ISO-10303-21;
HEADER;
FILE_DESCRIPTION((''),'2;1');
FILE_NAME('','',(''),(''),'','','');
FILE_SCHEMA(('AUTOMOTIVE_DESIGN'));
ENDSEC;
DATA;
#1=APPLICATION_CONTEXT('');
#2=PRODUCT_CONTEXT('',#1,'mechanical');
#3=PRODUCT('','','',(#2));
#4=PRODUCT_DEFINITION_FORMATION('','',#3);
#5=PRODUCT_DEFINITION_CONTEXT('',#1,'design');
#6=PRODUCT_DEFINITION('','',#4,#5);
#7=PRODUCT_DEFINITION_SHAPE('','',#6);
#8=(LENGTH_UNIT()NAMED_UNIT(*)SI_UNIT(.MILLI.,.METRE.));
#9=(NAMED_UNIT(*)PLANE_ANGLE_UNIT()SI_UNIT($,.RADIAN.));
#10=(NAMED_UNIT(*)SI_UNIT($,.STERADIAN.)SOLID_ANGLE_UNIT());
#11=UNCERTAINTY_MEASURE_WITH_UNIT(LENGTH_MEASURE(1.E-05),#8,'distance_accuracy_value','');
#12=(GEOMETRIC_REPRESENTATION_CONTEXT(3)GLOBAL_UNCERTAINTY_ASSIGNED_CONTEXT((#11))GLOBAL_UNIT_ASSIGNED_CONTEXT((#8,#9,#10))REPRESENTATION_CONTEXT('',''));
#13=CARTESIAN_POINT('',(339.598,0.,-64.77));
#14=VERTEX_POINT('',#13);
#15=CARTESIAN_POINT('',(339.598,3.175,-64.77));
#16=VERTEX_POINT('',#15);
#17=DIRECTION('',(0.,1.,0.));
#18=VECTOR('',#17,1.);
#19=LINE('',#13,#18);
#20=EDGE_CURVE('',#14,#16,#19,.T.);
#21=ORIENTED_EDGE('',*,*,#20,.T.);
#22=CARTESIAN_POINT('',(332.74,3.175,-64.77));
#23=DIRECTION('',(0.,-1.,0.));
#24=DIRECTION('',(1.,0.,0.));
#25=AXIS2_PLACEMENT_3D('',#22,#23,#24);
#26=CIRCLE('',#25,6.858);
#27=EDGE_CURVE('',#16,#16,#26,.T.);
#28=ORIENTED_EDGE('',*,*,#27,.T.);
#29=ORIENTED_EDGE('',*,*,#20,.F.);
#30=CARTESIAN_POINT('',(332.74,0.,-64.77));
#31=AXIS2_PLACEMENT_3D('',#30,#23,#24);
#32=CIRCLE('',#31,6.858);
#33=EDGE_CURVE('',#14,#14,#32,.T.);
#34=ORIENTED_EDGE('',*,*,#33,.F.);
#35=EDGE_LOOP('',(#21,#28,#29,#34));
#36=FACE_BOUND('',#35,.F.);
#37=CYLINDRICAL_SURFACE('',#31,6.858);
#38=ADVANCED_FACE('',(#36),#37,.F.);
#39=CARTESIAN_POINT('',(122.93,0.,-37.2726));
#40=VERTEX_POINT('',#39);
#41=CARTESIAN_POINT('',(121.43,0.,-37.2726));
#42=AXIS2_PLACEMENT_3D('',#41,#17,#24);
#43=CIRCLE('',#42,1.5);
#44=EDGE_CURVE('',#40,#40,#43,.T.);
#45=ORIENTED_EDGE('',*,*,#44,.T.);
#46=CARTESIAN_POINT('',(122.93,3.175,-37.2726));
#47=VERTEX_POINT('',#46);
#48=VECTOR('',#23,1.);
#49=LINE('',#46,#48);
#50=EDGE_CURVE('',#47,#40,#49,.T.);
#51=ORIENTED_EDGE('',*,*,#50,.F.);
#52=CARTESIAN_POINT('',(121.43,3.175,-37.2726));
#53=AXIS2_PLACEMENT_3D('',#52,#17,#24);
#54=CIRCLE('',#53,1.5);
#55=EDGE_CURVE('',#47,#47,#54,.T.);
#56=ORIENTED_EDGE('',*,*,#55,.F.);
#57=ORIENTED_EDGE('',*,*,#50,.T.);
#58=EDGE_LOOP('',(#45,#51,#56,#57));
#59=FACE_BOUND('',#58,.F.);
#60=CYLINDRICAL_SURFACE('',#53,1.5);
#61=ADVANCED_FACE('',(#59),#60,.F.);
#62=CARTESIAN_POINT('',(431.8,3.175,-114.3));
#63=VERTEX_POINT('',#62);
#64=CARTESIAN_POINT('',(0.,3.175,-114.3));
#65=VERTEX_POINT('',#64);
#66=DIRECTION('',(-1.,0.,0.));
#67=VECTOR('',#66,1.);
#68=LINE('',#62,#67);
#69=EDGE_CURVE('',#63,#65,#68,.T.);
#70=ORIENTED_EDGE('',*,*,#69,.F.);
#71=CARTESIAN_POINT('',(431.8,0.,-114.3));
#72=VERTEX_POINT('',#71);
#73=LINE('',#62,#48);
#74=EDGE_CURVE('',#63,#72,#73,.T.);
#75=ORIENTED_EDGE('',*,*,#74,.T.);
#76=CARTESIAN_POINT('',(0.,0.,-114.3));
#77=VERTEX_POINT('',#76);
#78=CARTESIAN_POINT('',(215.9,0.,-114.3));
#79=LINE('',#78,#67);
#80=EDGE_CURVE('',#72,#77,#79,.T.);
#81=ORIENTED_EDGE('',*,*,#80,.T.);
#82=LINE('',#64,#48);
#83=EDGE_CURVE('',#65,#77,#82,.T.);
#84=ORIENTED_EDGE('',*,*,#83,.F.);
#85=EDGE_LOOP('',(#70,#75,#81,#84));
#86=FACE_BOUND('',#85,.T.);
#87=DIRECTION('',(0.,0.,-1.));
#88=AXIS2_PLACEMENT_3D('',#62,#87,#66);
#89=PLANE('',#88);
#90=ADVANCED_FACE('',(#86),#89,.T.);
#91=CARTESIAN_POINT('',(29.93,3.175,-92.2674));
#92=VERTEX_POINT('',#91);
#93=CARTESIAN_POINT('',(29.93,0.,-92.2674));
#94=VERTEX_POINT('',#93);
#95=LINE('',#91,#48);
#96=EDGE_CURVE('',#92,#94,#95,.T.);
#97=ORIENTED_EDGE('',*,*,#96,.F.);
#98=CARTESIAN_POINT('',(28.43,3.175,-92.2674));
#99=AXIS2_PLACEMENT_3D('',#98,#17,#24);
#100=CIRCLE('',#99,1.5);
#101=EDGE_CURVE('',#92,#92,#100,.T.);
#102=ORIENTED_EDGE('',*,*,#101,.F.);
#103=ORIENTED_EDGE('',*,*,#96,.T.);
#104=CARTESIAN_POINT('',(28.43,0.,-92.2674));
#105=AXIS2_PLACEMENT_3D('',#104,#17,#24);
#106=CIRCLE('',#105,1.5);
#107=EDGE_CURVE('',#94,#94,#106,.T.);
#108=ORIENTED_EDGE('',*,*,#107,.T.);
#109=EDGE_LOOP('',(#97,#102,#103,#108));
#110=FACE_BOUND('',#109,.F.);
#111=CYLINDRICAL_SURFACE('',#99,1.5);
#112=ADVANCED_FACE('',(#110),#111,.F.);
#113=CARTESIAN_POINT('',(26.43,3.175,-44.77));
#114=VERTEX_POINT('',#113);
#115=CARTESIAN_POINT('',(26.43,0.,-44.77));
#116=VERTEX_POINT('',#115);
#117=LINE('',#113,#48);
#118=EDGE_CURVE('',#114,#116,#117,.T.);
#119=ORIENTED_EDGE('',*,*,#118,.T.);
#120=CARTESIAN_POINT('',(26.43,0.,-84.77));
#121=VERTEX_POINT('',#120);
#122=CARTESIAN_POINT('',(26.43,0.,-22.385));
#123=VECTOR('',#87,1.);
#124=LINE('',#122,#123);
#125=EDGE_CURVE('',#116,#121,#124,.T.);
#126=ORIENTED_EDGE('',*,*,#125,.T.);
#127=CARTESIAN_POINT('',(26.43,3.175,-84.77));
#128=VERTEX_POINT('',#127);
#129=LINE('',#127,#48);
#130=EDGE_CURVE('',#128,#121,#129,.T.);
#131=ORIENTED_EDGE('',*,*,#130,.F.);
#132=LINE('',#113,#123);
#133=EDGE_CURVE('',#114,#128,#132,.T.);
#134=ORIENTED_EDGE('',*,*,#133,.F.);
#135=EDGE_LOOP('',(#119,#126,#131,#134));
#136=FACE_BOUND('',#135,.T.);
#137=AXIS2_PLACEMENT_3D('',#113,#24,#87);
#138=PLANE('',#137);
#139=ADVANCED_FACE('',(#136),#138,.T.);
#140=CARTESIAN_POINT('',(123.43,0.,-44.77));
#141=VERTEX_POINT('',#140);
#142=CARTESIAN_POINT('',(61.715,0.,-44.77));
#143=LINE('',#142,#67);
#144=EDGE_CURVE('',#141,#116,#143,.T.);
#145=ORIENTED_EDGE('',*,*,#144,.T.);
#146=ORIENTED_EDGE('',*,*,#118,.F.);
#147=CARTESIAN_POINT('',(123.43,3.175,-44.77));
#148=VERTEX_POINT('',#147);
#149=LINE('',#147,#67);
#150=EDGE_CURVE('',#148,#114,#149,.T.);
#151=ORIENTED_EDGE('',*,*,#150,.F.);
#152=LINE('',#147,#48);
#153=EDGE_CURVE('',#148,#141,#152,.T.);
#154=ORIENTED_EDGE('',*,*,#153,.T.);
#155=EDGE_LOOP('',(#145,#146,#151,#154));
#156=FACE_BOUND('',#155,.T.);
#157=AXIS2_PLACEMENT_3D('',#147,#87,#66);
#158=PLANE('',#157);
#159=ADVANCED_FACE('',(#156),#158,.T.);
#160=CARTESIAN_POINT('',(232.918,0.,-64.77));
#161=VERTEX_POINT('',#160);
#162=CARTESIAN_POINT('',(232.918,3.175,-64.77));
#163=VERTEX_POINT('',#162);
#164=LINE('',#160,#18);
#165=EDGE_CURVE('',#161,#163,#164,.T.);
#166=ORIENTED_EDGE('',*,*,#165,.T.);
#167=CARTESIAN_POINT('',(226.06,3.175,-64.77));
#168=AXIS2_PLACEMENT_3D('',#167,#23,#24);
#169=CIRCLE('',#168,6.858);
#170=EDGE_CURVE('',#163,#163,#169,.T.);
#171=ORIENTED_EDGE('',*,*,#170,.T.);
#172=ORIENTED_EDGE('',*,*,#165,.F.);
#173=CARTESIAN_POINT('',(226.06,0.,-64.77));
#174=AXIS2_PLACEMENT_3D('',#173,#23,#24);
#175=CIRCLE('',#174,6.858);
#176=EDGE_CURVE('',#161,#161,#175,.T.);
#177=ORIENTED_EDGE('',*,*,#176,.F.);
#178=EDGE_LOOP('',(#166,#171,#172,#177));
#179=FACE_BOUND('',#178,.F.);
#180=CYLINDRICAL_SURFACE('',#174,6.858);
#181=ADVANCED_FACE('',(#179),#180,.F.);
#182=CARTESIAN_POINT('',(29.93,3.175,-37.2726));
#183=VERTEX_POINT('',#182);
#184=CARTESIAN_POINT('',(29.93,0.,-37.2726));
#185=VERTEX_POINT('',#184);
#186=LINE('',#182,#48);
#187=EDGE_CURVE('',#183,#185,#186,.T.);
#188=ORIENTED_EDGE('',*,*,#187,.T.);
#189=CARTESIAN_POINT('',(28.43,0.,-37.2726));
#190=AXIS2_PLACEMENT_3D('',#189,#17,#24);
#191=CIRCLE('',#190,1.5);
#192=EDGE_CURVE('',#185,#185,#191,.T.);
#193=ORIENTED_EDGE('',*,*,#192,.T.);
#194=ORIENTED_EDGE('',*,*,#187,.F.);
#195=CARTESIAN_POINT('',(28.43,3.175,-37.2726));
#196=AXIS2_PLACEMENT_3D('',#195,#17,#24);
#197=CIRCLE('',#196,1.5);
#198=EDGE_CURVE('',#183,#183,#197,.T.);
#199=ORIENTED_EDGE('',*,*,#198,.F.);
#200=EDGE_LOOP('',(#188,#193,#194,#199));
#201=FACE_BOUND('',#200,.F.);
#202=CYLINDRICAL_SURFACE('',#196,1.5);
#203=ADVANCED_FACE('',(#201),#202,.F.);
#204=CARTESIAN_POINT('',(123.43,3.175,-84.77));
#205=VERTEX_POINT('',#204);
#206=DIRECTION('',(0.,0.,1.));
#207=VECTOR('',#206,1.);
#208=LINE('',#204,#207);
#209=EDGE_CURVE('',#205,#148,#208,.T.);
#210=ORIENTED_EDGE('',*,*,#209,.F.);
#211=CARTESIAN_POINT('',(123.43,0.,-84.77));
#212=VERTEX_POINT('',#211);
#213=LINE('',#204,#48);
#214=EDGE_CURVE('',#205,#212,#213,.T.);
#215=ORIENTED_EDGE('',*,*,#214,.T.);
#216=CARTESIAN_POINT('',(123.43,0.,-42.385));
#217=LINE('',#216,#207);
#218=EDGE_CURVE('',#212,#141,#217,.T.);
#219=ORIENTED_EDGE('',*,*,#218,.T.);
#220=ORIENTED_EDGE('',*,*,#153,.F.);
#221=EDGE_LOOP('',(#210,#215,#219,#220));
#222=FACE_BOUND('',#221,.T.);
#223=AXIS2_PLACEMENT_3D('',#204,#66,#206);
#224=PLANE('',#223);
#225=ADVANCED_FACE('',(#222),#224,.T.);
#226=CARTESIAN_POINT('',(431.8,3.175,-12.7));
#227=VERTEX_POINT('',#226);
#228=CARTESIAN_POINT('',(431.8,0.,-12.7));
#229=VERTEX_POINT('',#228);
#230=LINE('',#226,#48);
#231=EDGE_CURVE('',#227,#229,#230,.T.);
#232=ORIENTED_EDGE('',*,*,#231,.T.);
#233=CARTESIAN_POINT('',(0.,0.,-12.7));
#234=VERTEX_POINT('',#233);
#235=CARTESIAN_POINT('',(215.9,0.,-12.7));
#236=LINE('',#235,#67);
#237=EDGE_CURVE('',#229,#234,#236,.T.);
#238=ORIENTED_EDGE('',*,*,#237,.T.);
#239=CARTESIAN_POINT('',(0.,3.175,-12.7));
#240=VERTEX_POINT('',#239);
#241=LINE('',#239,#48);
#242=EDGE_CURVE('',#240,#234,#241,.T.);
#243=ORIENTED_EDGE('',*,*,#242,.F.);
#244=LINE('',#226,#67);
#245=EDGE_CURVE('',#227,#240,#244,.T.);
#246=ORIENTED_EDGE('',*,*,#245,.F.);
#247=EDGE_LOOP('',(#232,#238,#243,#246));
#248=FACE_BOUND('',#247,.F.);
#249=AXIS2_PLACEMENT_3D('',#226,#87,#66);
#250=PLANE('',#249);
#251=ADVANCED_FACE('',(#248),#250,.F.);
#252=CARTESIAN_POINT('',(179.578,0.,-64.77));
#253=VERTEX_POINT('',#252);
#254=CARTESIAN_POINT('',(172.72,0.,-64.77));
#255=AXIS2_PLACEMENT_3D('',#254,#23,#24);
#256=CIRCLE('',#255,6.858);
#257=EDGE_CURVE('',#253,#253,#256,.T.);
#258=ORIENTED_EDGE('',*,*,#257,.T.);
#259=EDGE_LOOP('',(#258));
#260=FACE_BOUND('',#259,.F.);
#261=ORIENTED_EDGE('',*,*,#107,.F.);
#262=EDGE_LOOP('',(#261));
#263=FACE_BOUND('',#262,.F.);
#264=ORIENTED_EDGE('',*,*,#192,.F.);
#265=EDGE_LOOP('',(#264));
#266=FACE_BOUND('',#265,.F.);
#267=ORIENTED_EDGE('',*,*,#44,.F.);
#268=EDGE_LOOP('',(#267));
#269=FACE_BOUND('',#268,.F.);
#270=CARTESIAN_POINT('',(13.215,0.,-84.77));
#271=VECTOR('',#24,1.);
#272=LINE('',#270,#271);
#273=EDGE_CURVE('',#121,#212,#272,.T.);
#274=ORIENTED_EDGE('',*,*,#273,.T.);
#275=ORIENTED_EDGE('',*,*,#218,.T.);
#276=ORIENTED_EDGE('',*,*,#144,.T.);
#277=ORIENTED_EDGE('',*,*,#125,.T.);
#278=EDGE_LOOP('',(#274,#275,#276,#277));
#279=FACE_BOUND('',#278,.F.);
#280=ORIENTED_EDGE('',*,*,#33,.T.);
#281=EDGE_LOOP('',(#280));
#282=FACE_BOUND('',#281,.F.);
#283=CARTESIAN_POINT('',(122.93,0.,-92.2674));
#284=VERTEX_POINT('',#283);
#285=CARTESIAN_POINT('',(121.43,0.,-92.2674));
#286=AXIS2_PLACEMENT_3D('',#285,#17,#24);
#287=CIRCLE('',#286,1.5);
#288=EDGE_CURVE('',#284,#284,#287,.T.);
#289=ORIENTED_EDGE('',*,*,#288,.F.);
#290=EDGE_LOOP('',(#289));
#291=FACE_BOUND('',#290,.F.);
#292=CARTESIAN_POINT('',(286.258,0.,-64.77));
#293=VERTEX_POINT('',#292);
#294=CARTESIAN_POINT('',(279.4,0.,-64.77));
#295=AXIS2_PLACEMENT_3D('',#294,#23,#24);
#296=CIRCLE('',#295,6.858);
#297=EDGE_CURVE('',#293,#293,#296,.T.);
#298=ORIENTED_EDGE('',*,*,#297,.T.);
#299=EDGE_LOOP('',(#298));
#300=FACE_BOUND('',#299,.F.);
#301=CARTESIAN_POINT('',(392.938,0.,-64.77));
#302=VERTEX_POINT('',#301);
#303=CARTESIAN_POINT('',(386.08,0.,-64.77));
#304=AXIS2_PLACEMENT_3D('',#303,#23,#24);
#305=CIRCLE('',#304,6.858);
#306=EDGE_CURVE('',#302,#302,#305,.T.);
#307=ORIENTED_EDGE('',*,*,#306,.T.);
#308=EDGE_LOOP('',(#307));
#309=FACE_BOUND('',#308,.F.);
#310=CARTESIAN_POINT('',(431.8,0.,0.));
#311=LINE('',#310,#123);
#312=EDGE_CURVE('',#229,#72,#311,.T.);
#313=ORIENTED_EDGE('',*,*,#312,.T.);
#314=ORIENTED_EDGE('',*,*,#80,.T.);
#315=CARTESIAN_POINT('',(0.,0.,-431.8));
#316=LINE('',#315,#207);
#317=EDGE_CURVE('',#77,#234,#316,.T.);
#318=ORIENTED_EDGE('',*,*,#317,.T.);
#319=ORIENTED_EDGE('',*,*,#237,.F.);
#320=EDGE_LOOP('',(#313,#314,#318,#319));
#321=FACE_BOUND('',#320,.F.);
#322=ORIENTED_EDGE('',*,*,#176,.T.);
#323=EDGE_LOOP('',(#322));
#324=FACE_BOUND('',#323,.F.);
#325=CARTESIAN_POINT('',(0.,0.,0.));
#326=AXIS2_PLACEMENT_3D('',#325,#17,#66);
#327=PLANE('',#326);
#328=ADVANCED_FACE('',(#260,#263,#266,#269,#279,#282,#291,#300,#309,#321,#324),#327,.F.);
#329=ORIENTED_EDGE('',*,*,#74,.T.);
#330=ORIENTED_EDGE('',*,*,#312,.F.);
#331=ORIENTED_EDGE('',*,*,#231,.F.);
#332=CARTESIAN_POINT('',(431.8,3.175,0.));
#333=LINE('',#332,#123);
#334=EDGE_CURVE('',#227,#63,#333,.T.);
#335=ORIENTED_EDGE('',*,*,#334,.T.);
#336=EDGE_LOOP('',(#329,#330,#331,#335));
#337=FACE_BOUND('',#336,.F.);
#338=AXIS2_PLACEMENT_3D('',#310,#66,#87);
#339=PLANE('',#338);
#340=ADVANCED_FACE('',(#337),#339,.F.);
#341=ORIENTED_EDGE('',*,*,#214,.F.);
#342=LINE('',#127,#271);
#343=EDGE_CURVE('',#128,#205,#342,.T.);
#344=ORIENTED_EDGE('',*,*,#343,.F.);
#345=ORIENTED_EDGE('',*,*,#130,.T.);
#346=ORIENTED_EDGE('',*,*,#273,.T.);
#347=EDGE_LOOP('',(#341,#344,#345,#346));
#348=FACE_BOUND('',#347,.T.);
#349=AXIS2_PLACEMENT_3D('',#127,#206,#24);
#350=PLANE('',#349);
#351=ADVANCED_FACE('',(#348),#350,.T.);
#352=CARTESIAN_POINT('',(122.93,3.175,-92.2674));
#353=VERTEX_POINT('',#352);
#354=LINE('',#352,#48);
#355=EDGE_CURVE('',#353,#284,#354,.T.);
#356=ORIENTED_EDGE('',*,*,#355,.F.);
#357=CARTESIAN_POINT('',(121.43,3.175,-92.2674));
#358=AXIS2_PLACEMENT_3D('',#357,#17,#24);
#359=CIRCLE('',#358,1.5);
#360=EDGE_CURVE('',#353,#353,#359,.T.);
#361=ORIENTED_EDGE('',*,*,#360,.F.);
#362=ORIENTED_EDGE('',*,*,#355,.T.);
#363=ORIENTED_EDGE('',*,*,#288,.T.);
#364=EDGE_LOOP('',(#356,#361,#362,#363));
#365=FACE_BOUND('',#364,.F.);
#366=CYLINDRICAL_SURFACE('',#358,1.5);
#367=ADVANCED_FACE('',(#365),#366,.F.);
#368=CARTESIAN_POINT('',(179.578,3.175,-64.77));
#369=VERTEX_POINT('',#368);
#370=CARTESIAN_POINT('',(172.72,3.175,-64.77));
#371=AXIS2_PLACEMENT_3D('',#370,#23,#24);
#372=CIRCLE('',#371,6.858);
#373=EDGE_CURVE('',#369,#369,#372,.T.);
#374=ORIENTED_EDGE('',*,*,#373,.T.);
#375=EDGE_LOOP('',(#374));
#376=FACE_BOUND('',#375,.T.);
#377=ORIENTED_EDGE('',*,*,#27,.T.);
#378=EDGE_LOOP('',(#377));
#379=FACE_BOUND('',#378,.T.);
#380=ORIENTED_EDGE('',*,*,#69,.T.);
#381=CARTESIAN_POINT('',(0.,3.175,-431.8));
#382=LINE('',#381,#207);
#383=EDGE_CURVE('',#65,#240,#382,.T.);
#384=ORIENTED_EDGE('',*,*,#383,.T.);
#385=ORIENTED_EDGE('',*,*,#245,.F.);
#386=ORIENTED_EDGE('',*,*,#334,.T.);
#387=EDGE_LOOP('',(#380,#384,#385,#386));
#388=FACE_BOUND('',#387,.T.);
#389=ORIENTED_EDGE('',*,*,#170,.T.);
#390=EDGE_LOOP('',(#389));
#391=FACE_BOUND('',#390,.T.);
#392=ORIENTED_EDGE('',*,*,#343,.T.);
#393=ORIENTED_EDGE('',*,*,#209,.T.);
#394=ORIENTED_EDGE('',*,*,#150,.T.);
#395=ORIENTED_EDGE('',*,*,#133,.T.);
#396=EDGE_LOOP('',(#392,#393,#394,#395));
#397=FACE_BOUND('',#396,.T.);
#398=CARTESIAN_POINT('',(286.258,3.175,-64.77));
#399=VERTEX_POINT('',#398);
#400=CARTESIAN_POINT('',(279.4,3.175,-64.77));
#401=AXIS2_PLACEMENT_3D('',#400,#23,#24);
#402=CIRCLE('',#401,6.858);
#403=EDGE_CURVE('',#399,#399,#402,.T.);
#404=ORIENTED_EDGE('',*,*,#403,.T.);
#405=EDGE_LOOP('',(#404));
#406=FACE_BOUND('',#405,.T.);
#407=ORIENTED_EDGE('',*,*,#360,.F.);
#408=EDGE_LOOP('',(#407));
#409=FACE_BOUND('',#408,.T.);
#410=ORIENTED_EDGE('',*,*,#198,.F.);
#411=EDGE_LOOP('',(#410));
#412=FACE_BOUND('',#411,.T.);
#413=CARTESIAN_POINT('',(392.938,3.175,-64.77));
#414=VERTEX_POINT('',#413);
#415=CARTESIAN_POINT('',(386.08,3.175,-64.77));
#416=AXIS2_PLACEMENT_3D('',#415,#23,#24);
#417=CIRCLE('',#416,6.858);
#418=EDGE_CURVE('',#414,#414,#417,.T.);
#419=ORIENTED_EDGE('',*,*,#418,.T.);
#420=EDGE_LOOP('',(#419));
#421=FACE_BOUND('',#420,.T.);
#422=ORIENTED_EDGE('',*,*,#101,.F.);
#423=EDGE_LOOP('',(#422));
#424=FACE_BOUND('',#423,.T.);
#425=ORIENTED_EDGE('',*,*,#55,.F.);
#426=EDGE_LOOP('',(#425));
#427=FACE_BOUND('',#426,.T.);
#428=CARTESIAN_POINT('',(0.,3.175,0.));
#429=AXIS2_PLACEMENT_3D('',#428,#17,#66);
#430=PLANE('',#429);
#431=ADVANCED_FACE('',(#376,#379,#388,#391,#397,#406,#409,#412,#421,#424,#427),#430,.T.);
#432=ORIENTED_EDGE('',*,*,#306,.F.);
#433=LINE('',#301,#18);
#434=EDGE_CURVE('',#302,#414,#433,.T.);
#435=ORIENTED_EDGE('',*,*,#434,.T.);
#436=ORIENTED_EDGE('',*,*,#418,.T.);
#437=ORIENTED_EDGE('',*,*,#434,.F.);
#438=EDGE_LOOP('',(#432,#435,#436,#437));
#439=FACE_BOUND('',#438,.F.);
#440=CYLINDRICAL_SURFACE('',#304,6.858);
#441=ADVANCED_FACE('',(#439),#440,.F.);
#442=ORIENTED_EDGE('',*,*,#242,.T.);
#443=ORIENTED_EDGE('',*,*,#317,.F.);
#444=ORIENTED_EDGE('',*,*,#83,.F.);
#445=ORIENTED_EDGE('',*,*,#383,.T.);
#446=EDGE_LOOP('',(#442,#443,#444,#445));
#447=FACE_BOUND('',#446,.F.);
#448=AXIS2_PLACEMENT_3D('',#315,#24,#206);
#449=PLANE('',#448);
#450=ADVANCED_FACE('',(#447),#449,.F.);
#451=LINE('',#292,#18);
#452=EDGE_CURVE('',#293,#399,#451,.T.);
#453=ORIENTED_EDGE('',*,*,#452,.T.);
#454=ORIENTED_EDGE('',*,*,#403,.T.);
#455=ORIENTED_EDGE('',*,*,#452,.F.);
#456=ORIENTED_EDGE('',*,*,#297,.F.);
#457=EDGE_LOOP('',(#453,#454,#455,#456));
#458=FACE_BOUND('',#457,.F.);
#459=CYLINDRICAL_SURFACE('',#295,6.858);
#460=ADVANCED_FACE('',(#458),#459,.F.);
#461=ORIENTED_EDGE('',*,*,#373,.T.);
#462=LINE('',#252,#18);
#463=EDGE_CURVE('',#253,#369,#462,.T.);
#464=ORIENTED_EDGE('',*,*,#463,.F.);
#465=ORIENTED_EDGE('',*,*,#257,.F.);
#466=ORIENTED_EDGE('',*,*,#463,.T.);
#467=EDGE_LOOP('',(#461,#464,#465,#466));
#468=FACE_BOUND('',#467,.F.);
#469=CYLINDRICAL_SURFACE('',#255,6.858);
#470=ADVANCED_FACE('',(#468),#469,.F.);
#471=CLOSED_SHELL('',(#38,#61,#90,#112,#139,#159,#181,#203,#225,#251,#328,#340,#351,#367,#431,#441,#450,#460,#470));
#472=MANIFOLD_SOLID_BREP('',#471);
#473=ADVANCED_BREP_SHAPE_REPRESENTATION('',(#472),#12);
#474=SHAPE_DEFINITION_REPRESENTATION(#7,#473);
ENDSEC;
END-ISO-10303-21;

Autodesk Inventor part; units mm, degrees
ref_plane "YZ Plane" through (0, 0, 0) normal (1, 0, 0) x (0, 1, 0)
ref_plane "XZ Plane" through (0, 0, 0) normal (0, 1, 0) x (-1, 0, 0)
ref_plane "XY Plane" through (0, 0, 0) normal (0, 0, 1) x (1, 0, 0)
sketch "Sketch1" plane through (0, 0, 0) normal (0, 1, 0) x (-1, 0, 0)
  line L0 (0, 0) -> (-431.8, 0)
  line L1 (-431.8, 0) -> (-431.8, -431.8)
  line L2 (-431.8, -431.8) -> (0, -431.8)
  line L3 (0, -431.8) -> (0, 0)
  dimension "d0" = 431.8
  dimension "d1" = 431.8
extrude "Extrusion1" add sketch "Sketch1" along normal blind 3.175
sketch "Sketch2" plane through (0, 3.175, 0) normal (0, 1, 0) x (1, 0, 0)
  line L0 (0, 431.8) -> (0, 0) projected
  line L1 (431.8, 0) -> (431.8, 431.8) projected
  circle A0 centre (386.08, 64.77) radius 6.35
  circle A1 centre (332.74, 64.77) radius 6.35
  circle A2 centre (279.4, 64.77) radius 6.35
  circle A3 centre (226.06, 64.77) radius 6.35
  circle A4 centre (172.72, 64.77) radius 6.35
  circle A5 centre (28.43, 92.2674) radius 1.5
  circle A6 centre (121.43, 92.2674) radius 1.5
  circle A7 centre (28.43, 37.2726) radius 1.5
  circle A8 centre (121.43, 37.2726) radius 1.5
  line L2 (26.43, 84.77) -> (123.43, 84.77)
  line L3 (123.43, 84.77) -> (123.43, 44.77)
  line L4 (123.43, 44.77) -> (26.43, 44.77)
  line L5 (26.43, 44.77) -> (26.43, 84.77)
  dimension "d14" = 12.7
  dimension "d15" = 12.7
  dimension "d16" = 12.7
  dimension "d17" = 12.7
  dimension "d18" = 12.7
extrude "Extrusion2" cut sketch "Sketch2" against normal blind 25.4
sketch "Sketch3" plane through (0, 3.175, 0) normal (0, 1, 0) x (1, 0, 0)
  line L0 (0, 431.8) -> (0, 0) projected
  line L1 (431.8, 0) -> (431.8, 431.8) projected
  circle A0 centre (88.9, 424.18) radius 2.54
  circle A1 centre (115.316, 424.18) radius 2.54
  circle A2 centre (316.484, 424.18) radius 2.54
  circle A3 centre (342.9, 424.18) radius 2.54
  line L2 (431.8, 431.8) -> (431.8, 424.18)
extrude "Extrusion3" cut sketch "Sketch3" along normal blind 25.4 and the other way blind 12.7
sketch "Sketch4" plane through (0, 0, 0) normal (0, -1, 0) x (1, 0, 0)
  circle A0 centre (386.08, -64.77) radius 6.35 projected
  circle A1 centre (386.08, -64.77) radius 6.858
  circle A2 centre (172.72, -64.77) radius 6.35 projected
  circle A3 centre (172.72, -64.77) radius 6.858
  circle A4 centre (226.06, -64.77) radius 6.35 projected
  circle A5 centre (226.06, -64.77) radius 6.858
  circle A6 centre (279.4, -64.77) radius 6.35 projected
  circle A7 centre (279.4, -64.77) radius 6.858
  circle A8 centre (332.74, -64.77) radius 6.35 projected
  circle A9 centre (332.74, -64.77) radius 6.858
  point P0 (0, 0)
  dimension "d50" = 13.716
  dimension "d51" = 13.716
  dimension "d52" = 13.716
  dimension "d53" = 13.716
  dimension "d54" = 13.716
extrude "Extrusion4" cut sketch "Sketch4" against normal blind 4.351 contours A0 | A1 | A2 | A3 | A4 | A5 | A6 | A7 | A8 | A9
sketch "Sketch6" plane through (0, 3.175, 0) normal (0, 1, 0) x (1, 0, 0)
  line L0 (431.8, 0) -> (431.8, 431.8) projected
  line L1 (0, 431.8) -> (431.8, 431.8)
  line L2 (431.8, 431.8) -> (431.8, 114.3)
  line L3 (431.8, 114.3) -> (0, 114.3)
  line L4 (0, 114.3) -> (0, 431.8)
  line L5 (0, 114.3) -> (431.8, 114.3)
  line L6 (431.8, 114.3) -> (431.8, 12.7)
  line L7 (431.8, 12.7) -> (0, 12.7)
  line L8 (0, 12.7) -> (0, 114.3)
  line L9 (431.8, 0) -> (0, 0)
  line L10 (0, 0) -> (0, 12.7)
  line L11 (0, 12.7) -> (431.8, 12.7)
  line L12 (431.8, 12.7) -> (431.8, 0)
  dimension "d68" = 317.5
  dimension "d69" = 101.6
extrude "Extrusion6" cut sketch "Sketch6" against normal blind 25.4 contours L9 L10 L7 L0 | L3 L4 L1 L0
properties part number "220307 Lid Part B"
